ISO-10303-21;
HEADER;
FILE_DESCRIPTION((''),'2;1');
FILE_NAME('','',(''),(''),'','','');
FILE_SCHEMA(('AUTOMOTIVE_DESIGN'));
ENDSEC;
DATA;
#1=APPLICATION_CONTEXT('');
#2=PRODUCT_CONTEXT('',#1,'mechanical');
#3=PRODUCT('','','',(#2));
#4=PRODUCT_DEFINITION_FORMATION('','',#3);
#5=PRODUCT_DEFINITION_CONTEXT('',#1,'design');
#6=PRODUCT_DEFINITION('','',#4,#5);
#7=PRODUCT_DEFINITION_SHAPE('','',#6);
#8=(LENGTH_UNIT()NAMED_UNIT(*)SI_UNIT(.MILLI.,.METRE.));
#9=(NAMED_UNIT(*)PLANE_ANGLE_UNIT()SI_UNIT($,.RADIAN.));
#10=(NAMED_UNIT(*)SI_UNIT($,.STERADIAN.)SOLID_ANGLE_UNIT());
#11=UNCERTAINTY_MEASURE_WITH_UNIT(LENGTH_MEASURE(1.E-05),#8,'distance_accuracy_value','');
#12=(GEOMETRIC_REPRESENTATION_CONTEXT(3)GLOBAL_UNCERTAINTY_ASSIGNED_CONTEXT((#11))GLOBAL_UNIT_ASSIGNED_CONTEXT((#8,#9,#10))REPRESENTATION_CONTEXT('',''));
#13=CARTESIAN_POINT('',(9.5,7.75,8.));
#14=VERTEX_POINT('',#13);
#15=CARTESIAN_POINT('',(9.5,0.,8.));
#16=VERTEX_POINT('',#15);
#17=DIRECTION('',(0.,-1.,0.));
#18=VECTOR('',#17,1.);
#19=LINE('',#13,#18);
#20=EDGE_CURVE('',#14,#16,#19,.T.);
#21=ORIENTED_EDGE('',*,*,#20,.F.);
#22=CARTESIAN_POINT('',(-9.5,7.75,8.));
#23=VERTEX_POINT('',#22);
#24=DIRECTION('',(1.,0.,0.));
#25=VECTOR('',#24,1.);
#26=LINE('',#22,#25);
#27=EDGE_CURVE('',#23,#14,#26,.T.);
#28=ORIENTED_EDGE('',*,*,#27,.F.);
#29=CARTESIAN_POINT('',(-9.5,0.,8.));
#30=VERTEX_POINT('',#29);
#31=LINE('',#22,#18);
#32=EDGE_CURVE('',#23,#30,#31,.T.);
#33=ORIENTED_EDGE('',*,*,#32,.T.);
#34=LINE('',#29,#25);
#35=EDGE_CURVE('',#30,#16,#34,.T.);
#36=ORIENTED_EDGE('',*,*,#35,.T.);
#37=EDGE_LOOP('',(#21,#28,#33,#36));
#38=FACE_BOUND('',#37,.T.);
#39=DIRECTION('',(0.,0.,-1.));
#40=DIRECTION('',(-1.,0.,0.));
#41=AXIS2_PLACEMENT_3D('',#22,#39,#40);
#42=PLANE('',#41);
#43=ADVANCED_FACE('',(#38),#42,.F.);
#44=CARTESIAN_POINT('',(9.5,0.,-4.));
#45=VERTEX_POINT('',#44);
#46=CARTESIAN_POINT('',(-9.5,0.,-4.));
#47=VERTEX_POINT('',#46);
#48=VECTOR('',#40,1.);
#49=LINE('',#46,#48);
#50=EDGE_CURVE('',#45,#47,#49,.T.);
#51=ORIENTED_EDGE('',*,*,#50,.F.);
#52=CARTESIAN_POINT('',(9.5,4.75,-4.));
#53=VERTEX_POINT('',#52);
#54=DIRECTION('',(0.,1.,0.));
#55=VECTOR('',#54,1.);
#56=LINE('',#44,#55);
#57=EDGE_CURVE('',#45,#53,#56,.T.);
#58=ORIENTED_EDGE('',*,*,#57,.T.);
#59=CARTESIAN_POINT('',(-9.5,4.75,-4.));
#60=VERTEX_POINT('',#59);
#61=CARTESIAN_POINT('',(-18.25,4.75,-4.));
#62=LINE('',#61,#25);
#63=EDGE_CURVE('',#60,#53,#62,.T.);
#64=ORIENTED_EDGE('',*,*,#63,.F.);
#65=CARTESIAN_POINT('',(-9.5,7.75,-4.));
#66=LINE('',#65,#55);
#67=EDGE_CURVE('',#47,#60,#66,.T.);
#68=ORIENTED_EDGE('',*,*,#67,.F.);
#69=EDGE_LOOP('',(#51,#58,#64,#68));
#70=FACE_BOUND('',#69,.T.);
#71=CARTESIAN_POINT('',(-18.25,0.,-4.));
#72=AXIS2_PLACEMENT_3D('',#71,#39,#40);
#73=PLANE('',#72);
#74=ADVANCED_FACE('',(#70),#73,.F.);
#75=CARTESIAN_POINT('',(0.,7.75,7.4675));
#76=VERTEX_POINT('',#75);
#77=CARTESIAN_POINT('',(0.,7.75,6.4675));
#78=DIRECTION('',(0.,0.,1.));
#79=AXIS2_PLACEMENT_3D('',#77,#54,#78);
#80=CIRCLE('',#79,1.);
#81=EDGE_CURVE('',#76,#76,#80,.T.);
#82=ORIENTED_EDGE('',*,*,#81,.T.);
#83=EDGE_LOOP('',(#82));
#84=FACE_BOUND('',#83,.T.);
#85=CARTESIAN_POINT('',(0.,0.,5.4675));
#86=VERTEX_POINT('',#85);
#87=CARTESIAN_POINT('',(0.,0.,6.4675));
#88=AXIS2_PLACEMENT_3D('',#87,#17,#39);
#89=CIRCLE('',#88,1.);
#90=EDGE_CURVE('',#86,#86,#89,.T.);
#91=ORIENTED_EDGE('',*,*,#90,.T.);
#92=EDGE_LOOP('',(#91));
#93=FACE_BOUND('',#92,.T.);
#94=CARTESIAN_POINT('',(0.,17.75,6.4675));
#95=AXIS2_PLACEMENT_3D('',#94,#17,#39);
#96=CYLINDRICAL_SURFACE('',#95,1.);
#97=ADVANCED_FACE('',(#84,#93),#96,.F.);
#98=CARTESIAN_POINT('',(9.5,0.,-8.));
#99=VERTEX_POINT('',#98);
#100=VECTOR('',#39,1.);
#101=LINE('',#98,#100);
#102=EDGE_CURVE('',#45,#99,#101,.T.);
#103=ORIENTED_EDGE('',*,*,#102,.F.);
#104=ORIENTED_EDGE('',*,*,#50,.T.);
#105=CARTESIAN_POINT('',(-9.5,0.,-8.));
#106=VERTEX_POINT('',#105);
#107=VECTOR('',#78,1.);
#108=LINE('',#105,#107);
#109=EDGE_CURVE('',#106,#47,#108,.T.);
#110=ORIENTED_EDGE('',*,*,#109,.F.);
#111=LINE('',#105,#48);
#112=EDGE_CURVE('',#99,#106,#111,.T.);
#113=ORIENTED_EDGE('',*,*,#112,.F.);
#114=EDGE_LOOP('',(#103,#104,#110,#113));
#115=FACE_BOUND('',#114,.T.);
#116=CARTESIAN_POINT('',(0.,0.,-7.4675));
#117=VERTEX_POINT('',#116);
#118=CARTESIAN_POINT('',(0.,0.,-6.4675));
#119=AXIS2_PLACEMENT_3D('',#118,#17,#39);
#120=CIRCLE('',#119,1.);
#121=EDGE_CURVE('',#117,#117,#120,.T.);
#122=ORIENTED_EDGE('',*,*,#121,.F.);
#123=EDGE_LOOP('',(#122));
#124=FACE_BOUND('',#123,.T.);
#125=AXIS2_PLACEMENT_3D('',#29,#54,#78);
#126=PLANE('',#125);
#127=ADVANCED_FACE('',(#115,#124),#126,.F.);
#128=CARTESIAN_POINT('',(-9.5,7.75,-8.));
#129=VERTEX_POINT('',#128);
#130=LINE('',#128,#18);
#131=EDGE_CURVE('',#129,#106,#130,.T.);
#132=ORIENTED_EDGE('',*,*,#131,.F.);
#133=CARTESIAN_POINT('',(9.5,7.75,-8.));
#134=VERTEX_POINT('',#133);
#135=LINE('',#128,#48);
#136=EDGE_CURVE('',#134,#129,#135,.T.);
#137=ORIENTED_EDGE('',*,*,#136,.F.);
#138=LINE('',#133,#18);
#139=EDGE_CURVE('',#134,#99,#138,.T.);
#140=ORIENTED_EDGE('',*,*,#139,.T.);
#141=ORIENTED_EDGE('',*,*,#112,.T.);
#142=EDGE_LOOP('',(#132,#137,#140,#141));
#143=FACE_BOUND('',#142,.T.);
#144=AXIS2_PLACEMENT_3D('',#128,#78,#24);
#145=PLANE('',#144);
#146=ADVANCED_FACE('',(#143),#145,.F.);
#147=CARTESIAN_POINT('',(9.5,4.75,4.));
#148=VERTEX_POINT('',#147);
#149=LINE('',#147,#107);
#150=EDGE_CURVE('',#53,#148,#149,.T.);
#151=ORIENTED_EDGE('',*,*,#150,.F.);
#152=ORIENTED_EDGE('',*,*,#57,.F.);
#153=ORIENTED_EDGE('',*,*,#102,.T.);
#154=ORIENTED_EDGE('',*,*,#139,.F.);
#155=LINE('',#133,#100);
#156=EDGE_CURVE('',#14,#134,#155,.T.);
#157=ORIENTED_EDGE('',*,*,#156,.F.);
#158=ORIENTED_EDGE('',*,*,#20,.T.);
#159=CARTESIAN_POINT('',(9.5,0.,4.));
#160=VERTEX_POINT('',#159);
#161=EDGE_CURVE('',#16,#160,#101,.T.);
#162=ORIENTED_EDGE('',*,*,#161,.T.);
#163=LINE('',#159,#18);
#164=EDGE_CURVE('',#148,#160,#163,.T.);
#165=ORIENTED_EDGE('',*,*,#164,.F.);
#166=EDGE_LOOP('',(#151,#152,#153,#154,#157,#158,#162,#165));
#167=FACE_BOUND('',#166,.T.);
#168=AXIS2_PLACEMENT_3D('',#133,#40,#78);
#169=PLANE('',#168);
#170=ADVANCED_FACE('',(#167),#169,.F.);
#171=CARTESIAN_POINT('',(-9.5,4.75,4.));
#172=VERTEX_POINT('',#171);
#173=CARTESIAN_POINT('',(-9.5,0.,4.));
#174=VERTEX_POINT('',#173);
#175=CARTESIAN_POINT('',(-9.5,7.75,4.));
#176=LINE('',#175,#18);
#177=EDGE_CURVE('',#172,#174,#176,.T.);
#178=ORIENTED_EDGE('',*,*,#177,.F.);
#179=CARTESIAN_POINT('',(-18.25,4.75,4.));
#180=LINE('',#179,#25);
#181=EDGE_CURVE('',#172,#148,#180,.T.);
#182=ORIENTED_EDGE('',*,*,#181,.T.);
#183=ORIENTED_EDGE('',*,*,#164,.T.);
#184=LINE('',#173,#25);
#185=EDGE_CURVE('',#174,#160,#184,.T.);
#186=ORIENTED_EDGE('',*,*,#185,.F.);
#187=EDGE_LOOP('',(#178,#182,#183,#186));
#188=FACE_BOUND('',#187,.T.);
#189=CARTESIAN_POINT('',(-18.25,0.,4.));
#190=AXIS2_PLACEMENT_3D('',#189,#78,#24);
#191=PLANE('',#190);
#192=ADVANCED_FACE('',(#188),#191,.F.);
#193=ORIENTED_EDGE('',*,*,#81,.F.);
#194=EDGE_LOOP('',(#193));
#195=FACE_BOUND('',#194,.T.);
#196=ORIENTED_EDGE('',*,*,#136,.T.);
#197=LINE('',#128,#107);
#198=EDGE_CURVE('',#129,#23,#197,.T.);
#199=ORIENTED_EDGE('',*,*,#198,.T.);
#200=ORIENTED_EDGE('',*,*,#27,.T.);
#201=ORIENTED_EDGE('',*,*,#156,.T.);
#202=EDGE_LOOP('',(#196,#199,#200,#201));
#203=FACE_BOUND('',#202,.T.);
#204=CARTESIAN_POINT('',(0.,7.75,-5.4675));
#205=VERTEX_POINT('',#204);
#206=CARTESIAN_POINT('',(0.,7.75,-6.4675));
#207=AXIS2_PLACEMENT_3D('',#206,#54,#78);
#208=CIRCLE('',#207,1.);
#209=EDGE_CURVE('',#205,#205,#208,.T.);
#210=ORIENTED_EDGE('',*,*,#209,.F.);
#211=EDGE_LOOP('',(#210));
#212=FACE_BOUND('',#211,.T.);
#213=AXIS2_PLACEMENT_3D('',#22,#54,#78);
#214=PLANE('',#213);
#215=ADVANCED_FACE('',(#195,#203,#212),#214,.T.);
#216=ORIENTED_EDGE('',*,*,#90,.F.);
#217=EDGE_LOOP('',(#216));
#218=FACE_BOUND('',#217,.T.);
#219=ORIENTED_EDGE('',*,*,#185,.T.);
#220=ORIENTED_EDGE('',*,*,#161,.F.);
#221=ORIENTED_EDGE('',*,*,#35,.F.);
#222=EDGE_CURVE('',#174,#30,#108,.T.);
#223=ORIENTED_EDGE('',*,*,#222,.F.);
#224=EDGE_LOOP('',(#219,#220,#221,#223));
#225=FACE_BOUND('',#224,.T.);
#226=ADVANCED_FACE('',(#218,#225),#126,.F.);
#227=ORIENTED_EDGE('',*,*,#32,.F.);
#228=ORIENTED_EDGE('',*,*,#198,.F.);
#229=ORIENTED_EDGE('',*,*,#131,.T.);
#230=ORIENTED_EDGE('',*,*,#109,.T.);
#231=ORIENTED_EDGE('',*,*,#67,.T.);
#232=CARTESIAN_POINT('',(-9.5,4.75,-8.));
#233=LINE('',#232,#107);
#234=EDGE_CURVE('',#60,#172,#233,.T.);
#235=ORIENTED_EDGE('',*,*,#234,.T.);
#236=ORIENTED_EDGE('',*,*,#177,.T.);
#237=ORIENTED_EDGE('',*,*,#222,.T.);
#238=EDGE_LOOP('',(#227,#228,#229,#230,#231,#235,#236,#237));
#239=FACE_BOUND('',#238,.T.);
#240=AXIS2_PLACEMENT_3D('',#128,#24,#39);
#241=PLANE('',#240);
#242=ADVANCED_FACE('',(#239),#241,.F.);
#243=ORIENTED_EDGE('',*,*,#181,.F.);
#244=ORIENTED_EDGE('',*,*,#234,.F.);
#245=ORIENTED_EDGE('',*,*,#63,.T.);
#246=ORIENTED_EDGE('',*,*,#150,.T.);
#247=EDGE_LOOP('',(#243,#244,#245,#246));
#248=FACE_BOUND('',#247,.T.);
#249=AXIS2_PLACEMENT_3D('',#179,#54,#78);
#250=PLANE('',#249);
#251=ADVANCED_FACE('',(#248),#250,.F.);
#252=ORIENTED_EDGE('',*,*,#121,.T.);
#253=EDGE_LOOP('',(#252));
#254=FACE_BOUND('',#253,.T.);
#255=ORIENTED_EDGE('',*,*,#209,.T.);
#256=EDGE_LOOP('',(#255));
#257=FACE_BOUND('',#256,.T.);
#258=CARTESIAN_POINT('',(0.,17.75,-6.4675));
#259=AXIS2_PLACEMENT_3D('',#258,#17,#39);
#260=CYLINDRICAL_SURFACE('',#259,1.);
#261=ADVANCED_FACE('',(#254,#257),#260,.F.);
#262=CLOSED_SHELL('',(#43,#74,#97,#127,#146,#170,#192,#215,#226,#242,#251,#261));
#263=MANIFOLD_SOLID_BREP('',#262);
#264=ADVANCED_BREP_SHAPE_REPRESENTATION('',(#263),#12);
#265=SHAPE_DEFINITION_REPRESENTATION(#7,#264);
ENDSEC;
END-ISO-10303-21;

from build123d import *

# Parameters (mm, degrees)
SKETCH1_W          = 19
SKETCH1_H          = 16
EXTRUDE1_DEPTH     = 7.75
SKETCH2_R          = 1
CUT_EXTRUDE1_DEPTH = 17.75
SKETCH3_W          = 8
SKETCH3_H          = 4.75
CUT_EXTRUDE2_DEPTH = 27.75


with BuildPart() as part:
    # Sketch1 → Extrude1 (new body)
    with BuildSketch(Plane(origin=(0, 0, 0), x_dir=(1, 0, 0), z_dir=(0, 1, 0))):
        Rectangle(SKETCH1_W, SKETCH1_H)
    extrude(amount=EXTRUDE1_DEPTH)

    # Sketch2 → Cut-Extrude1 (cut)
    with BuildSketch(Plane.XZ):
        with Locations(Location((0, -6.4675, 0), (0, 0, 270))):  # turned: the seam where the file's is
            Circle(SKETCH2_R)
        with Locations(Location((0, 6.4675, 0), (0, 0, 270))):  # turned: the seam where the file's is
            Circle(SKETCH2_R)
    extrude(amount=-CUT_EXTRUDE1_DEPTH, mode=Mode.SUBTRACT)

    # Sketch3 → Cut-Extrude2 (cut)
    with BuildSketch(Plane(origin=(9.5, 0, 0), x_dir=(0, 0, -1), z_dir=(1, 0, 0))):
        with Locations((0, 2.375)):
            Rectangle(SKETCH3_W, SKETCH3_H)
    extrude(amount=-CUT_EXTRUDE2_DEPTH, mode=Mode.SUBTRACT)


solid = part.part
